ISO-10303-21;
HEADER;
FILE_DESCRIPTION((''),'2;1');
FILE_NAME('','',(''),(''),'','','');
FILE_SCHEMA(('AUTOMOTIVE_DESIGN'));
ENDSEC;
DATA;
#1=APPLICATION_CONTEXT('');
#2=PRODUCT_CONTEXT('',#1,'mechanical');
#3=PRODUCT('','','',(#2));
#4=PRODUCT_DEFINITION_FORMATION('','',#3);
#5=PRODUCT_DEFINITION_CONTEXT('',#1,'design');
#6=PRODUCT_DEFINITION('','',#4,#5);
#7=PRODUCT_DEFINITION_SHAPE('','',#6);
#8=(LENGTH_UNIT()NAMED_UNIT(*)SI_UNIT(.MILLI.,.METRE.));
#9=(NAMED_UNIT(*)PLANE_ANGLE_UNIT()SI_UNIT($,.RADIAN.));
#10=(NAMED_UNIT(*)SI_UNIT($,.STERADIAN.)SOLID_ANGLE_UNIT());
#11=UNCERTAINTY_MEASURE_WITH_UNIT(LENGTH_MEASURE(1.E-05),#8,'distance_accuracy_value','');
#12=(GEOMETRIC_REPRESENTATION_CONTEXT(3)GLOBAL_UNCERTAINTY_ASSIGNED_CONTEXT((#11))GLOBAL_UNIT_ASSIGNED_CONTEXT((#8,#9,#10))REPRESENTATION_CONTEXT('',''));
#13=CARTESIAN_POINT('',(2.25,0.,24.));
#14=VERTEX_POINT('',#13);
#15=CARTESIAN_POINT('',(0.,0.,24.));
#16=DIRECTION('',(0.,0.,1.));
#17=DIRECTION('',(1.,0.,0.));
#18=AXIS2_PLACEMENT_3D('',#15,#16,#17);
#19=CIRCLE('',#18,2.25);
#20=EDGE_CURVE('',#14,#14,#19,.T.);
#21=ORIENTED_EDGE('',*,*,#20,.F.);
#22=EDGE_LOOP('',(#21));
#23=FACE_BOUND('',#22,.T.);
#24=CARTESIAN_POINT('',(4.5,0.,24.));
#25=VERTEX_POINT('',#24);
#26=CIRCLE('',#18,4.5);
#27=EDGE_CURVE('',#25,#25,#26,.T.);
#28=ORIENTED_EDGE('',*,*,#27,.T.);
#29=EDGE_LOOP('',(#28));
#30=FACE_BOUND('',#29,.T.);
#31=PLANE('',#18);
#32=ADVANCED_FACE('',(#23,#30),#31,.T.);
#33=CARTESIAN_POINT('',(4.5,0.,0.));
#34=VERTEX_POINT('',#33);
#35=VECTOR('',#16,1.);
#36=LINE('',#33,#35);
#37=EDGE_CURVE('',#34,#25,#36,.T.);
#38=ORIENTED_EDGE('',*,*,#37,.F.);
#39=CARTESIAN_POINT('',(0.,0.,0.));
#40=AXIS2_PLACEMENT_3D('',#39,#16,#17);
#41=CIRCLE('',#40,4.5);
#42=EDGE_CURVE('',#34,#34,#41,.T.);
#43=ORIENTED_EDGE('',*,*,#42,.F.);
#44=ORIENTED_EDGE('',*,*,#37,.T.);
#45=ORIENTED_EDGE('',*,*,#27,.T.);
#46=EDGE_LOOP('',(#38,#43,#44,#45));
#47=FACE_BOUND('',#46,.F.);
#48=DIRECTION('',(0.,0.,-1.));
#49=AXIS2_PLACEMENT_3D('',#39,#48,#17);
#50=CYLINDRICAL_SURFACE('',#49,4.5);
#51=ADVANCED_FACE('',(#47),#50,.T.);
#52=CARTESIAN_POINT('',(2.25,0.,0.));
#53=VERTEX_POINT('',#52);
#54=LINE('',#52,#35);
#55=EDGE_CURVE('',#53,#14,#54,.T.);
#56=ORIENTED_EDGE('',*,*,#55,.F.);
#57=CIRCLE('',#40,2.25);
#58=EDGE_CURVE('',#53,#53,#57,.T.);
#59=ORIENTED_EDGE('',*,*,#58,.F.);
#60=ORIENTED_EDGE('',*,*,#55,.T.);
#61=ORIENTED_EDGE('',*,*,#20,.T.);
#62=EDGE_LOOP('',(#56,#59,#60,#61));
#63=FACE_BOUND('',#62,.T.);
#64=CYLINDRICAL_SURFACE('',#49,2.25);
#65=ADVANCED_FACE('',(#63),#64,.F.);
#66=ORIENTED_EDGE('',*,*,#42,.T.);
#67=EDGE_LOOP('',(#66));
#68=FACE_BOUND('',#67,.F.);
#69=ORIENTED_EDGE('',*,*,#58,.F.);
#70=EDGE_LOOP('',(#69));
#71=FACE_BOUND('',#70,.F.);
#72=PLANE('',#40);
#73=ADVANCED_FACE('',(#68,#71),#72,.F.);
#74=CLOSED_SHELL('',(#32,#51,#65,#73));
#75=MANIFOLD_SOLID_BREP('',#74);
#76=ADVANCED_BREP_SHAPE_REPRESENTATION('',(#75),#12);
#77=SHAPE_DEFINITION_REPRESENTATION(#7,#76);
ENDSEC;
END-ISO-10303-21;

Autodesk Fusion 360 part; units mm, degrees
sketch "Sketch1" plane through (0, 0, 0) normal (0, 0, 1) x (1, 0, 0)
  circle A0 centre (0, 0) radius 4.5
  circle A1 centre (0, 0) radius 2.25
  dimension "d1" = 9
  dimension "d2" = 4.5
extrude "Extrude1" add sketch "Sketch1" along normal blind 24
